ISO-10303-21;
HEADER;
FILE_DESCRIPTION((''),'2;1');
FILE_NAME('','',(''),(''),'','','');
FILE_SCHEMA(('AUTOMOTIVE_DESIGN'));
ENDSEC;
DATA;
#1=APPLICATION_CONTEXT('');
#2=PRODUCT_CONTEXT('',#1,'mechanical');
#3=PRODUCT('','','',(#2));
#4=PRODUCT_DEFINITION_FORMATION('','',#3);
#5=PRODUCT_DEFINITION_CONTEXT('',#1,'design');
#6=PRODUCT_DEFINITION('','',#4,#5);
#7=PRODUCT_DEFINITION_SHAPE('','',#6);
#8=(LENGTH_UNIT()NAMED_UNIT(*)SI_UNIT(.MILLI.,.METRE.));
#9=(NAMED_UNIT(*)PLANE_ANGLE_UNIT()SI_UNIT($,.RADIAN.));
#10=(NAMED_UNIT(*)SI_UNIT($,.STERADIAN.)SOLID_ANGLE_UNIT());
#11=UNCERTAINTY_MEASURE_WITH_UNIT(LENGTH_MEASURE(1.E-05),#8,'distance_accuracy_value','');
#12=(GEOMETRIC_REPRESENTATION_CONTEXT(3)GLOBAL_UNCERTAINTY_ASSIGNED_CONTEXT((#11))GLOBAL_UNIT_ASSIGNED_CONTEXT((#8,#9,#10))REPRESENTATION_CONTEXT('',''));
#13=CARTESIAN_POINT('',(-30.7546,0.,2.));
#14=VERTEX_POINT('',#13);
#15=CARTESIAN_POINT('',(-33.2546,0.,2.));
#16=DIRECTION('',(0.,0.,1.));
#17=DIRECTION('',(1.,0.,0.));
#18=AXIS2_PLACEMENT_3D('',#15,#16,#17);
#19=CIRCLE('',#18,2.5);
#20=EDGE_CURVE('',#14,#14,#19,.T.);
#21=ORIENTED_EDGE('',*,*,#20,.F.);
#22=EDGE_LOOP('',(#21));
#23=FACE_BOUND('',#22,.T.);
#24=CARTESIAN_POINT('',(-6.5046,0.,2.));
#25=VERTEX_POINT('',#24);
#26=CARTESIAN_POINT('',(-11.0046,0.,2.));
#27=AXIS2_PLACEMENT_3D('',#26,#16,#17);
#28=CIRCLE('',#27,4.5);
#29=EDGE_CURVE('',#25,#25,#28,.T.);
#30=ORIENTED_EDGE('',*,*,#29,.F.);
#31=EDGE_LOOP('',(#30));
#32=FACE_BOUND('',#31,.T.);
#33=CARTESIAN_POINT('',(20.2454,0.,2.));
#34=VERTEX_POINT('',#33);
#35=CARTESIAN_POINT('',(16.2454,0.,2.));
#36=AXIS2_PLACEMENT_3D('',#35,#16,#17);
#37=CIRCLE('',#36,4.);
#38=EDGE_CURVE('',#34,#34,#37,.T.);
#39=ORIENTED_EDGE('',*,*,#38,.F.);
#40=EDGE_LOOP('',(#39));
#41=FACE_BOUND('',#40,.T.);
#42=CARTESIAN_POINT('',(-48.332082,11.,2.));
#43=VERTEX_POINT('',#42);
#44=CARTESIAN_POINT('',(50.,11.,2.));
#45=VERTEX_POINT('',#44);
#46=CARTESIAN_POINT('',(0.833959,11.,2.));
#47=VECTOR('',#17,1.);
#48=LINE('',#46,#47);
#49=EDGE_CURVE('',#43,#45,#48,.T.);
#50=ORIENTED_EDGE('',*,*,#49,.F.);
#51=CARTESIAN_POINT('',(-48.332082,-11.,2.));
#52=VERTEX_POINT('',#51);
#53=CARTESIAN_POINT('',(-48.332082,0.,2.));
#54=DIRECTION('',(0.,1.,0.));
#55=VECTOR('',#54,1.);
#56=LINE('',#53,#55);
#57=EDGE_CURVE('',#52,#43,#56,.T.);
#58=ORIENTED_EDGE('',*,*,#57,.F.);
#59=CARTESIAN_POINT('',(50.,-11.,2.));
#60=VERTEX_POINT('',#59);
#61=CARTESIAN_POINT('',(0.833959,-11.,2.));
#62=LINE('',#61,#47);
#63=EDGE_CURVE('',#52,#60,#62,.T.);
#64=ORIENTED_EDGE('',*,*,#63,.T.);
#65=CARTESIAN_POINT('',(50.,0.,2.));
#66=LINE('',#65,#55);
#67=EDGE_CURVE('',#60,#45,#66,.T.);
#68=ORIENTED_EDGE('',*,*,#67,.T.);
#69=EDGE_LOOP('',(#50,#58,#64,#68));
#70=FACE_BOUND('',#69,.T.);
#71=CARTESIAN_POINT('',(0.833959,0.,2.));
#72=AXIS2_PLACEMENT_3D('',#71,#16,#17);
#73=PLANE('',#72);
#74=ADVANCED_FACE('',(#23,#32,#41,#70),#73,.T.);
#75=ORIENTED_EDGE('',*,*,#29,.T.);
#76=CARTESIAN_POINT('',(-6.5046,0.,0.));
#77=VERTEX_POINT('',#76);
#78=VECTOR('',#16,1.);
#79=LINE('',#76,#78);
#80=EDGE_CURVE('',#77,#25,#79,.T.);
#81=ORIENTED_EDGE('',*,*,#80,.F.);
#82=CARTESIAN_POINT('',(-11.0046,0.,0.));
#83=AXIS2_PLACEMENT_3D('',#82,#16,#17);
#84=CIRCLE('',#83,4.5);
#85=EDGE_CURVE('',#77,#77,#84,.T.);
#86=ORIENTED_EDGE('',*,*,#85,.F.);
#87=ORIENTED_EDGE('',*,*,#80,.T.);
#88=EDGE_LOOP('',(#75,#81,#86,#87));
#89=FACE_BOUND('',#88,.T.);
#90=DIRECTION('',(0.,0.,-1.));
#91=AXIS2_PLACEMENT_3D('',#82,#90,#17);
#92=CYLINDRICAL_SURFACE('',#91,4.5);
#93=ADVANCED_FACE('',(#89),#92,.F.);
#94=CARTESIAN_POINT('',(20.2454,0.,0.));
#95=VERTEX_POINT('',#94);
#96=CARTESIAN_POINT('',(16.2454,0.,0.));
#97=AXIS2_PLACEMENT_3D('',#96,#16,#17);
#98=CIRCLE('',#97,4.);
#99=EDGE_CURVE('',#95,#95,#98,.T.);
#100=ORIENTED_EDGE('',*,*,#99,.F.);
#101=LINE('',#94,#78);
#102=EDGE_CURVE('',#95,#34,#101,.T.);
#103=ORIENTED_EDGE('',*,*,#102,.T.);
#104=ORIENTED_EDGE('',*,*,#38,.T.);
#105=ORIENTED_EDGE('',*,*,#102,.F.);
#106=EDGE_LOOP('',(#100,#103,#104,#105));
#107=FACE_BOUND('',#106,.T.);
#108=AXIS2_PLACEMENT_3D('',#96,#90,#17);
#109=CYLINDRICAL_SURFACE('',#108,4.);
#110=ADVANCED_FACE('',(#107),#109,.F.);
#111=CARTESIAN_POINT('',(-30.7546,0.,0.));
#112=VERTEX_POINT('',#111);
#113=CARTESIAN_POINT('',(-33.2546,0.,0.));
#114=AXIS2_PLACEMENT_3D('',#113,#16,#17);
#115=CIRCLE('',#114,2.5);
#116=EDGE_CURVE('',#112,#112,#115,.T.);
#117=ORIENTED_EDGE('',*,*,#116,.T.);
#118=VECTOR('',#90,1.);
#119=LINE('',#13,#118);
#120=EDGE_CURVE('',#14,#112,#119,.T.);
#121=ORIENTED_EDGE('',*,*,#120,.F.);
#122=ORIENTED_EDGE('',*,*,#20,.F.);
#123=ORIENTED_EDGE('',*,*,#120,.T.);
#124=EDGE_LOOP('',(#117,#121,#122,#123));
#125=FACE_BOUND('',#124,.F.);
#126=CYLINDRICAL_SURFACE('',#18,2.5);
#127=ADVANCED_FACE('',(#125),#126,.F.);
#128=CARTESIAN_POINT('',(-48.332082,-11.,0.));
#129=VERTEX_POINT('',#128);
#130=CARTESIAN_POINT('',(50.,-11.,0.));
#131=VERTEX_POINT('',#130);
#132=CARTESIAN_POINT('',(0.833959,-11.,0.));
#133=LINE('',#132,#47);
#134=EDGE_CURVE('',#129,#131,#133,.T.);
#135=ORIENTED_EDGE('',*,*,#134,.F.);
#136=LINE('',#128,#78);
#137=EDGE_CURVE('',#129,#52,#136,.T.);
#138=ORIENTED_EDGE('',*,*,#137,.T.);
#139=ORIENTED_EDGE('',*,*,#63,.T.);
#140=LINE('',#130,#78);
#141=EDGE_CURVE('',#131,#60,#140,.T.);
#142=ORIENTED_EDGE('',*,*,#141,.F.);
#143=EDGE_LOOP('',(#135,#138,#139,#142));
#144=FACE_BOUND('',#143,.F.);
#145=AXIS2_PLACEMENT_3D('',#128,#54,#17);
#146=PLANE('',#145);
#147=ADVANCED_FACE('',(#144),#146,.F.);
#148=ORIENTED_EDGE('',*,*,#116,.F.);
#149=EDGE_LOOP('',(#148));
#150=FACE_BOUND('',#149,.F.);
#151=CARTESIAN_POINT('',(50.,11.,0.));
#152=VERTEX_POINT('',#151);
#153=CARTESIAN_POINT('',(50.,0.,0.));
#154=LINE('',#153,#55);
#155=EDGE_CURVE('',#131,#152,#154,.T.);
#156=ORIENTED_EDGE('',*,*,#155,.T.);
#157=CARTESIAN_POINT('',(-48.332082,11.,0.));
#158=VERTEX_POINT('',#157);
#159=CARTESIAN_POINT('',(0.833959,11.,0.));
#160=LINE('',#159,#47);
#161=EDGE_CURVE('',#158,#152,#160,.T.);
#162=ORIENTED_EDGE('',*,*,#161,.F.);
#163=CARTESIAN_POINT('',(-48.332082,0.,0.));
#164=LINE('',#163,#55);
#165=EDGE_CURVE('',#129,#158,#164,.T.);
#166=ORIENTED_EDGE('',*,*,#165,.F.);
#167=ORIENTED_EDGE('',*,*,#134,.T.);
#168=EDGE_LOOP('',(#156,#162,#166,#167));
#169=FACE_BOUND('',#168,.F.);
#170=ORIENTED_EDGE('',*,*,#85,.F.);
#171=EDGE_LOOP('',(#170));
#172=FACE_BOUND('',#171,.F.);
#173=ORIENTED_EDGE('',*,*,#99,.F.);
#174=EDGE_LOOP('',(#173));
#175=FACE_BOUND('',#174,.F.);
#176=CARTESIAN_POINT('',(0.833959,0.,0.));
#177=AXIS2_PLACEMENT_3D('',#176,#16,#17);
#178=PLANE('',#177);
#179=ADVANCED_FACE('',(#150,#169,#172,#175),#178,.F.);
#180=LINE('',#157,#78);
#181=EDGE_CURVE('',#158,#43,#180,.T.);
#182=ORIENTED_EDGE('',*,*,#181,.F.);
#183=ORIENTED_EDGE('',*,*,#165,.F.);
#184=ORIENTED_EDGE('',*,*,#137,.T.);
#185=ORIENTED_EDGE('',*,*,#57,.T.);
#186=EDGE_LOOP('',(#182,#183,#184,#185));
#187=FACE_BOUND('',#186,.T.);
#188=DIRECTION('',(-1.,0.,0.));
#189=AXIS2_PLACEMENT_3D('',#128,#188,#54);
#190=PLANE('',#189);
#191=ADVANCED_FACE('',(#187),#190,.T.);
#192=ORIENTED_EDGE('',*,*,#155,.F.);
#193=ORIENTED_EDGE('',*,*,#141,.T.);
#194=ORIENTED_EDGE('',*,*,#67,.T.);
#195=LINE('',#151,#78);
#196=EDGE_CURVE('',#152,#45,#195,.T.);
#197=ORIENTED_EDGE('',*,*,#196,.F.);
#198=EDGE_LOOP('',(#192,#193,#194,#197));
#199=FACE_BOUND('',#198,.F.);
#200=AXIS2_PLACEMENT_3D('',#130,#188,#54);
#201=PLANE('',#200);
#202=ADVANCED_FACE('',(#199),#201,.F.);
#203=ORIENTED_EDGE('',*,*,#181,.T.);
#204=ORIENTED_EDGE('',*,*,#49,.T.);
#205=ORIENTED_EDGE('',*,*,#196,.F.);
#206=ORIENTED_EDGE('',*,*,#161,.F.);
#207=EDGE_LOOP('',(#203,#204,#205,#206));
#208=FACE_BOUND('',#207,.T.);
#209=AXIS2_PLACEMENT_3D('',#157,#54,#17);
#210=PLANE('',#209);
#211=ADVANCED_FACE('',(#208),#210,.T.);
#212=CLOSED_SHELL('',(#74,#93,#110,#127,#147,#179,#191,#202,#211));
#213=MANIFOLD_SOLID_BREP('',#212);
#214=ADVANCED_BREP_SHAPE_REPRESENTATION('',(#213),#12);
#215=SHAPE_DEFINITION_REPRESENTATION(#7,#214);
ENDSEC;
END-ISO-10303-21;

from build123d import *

# Parameters (mm, degrees)
F1_W     = 98.332082
F1_H     = 22
F1_R     = 4.5
F1_R_2   = 4
F2_DEPTH = 2
F3_R     = 2.5
F4_DEPTH = 25


with BuildPart() as f2:
    # F1 (on face) → F2 (new body)
    with BuildSketch(Plane.XY):
        with Locations((0.833959, 0)):
            Rectangle(F1_W, F1_H)
        with Locations((-11.0046, 0)):
            Circle(F1_R, mode=Mode.SUBTRACT)
        with Locations((16.2454, 0)):
            Circle(F1_R_2, mode=Mode.SUBTRACT)
    extrude(amount=F2_DEPTH)

    # F3 (on face) → F4 (cut)
    with BuildSketch(Plane.XY.offset(2)):
        with Locations((-33.2546, 0)):
            Circle(F3_R)
    extrude(amount=-F4_DEPTH, mode=Mode.SUBTRACT)


solid = f2.part
